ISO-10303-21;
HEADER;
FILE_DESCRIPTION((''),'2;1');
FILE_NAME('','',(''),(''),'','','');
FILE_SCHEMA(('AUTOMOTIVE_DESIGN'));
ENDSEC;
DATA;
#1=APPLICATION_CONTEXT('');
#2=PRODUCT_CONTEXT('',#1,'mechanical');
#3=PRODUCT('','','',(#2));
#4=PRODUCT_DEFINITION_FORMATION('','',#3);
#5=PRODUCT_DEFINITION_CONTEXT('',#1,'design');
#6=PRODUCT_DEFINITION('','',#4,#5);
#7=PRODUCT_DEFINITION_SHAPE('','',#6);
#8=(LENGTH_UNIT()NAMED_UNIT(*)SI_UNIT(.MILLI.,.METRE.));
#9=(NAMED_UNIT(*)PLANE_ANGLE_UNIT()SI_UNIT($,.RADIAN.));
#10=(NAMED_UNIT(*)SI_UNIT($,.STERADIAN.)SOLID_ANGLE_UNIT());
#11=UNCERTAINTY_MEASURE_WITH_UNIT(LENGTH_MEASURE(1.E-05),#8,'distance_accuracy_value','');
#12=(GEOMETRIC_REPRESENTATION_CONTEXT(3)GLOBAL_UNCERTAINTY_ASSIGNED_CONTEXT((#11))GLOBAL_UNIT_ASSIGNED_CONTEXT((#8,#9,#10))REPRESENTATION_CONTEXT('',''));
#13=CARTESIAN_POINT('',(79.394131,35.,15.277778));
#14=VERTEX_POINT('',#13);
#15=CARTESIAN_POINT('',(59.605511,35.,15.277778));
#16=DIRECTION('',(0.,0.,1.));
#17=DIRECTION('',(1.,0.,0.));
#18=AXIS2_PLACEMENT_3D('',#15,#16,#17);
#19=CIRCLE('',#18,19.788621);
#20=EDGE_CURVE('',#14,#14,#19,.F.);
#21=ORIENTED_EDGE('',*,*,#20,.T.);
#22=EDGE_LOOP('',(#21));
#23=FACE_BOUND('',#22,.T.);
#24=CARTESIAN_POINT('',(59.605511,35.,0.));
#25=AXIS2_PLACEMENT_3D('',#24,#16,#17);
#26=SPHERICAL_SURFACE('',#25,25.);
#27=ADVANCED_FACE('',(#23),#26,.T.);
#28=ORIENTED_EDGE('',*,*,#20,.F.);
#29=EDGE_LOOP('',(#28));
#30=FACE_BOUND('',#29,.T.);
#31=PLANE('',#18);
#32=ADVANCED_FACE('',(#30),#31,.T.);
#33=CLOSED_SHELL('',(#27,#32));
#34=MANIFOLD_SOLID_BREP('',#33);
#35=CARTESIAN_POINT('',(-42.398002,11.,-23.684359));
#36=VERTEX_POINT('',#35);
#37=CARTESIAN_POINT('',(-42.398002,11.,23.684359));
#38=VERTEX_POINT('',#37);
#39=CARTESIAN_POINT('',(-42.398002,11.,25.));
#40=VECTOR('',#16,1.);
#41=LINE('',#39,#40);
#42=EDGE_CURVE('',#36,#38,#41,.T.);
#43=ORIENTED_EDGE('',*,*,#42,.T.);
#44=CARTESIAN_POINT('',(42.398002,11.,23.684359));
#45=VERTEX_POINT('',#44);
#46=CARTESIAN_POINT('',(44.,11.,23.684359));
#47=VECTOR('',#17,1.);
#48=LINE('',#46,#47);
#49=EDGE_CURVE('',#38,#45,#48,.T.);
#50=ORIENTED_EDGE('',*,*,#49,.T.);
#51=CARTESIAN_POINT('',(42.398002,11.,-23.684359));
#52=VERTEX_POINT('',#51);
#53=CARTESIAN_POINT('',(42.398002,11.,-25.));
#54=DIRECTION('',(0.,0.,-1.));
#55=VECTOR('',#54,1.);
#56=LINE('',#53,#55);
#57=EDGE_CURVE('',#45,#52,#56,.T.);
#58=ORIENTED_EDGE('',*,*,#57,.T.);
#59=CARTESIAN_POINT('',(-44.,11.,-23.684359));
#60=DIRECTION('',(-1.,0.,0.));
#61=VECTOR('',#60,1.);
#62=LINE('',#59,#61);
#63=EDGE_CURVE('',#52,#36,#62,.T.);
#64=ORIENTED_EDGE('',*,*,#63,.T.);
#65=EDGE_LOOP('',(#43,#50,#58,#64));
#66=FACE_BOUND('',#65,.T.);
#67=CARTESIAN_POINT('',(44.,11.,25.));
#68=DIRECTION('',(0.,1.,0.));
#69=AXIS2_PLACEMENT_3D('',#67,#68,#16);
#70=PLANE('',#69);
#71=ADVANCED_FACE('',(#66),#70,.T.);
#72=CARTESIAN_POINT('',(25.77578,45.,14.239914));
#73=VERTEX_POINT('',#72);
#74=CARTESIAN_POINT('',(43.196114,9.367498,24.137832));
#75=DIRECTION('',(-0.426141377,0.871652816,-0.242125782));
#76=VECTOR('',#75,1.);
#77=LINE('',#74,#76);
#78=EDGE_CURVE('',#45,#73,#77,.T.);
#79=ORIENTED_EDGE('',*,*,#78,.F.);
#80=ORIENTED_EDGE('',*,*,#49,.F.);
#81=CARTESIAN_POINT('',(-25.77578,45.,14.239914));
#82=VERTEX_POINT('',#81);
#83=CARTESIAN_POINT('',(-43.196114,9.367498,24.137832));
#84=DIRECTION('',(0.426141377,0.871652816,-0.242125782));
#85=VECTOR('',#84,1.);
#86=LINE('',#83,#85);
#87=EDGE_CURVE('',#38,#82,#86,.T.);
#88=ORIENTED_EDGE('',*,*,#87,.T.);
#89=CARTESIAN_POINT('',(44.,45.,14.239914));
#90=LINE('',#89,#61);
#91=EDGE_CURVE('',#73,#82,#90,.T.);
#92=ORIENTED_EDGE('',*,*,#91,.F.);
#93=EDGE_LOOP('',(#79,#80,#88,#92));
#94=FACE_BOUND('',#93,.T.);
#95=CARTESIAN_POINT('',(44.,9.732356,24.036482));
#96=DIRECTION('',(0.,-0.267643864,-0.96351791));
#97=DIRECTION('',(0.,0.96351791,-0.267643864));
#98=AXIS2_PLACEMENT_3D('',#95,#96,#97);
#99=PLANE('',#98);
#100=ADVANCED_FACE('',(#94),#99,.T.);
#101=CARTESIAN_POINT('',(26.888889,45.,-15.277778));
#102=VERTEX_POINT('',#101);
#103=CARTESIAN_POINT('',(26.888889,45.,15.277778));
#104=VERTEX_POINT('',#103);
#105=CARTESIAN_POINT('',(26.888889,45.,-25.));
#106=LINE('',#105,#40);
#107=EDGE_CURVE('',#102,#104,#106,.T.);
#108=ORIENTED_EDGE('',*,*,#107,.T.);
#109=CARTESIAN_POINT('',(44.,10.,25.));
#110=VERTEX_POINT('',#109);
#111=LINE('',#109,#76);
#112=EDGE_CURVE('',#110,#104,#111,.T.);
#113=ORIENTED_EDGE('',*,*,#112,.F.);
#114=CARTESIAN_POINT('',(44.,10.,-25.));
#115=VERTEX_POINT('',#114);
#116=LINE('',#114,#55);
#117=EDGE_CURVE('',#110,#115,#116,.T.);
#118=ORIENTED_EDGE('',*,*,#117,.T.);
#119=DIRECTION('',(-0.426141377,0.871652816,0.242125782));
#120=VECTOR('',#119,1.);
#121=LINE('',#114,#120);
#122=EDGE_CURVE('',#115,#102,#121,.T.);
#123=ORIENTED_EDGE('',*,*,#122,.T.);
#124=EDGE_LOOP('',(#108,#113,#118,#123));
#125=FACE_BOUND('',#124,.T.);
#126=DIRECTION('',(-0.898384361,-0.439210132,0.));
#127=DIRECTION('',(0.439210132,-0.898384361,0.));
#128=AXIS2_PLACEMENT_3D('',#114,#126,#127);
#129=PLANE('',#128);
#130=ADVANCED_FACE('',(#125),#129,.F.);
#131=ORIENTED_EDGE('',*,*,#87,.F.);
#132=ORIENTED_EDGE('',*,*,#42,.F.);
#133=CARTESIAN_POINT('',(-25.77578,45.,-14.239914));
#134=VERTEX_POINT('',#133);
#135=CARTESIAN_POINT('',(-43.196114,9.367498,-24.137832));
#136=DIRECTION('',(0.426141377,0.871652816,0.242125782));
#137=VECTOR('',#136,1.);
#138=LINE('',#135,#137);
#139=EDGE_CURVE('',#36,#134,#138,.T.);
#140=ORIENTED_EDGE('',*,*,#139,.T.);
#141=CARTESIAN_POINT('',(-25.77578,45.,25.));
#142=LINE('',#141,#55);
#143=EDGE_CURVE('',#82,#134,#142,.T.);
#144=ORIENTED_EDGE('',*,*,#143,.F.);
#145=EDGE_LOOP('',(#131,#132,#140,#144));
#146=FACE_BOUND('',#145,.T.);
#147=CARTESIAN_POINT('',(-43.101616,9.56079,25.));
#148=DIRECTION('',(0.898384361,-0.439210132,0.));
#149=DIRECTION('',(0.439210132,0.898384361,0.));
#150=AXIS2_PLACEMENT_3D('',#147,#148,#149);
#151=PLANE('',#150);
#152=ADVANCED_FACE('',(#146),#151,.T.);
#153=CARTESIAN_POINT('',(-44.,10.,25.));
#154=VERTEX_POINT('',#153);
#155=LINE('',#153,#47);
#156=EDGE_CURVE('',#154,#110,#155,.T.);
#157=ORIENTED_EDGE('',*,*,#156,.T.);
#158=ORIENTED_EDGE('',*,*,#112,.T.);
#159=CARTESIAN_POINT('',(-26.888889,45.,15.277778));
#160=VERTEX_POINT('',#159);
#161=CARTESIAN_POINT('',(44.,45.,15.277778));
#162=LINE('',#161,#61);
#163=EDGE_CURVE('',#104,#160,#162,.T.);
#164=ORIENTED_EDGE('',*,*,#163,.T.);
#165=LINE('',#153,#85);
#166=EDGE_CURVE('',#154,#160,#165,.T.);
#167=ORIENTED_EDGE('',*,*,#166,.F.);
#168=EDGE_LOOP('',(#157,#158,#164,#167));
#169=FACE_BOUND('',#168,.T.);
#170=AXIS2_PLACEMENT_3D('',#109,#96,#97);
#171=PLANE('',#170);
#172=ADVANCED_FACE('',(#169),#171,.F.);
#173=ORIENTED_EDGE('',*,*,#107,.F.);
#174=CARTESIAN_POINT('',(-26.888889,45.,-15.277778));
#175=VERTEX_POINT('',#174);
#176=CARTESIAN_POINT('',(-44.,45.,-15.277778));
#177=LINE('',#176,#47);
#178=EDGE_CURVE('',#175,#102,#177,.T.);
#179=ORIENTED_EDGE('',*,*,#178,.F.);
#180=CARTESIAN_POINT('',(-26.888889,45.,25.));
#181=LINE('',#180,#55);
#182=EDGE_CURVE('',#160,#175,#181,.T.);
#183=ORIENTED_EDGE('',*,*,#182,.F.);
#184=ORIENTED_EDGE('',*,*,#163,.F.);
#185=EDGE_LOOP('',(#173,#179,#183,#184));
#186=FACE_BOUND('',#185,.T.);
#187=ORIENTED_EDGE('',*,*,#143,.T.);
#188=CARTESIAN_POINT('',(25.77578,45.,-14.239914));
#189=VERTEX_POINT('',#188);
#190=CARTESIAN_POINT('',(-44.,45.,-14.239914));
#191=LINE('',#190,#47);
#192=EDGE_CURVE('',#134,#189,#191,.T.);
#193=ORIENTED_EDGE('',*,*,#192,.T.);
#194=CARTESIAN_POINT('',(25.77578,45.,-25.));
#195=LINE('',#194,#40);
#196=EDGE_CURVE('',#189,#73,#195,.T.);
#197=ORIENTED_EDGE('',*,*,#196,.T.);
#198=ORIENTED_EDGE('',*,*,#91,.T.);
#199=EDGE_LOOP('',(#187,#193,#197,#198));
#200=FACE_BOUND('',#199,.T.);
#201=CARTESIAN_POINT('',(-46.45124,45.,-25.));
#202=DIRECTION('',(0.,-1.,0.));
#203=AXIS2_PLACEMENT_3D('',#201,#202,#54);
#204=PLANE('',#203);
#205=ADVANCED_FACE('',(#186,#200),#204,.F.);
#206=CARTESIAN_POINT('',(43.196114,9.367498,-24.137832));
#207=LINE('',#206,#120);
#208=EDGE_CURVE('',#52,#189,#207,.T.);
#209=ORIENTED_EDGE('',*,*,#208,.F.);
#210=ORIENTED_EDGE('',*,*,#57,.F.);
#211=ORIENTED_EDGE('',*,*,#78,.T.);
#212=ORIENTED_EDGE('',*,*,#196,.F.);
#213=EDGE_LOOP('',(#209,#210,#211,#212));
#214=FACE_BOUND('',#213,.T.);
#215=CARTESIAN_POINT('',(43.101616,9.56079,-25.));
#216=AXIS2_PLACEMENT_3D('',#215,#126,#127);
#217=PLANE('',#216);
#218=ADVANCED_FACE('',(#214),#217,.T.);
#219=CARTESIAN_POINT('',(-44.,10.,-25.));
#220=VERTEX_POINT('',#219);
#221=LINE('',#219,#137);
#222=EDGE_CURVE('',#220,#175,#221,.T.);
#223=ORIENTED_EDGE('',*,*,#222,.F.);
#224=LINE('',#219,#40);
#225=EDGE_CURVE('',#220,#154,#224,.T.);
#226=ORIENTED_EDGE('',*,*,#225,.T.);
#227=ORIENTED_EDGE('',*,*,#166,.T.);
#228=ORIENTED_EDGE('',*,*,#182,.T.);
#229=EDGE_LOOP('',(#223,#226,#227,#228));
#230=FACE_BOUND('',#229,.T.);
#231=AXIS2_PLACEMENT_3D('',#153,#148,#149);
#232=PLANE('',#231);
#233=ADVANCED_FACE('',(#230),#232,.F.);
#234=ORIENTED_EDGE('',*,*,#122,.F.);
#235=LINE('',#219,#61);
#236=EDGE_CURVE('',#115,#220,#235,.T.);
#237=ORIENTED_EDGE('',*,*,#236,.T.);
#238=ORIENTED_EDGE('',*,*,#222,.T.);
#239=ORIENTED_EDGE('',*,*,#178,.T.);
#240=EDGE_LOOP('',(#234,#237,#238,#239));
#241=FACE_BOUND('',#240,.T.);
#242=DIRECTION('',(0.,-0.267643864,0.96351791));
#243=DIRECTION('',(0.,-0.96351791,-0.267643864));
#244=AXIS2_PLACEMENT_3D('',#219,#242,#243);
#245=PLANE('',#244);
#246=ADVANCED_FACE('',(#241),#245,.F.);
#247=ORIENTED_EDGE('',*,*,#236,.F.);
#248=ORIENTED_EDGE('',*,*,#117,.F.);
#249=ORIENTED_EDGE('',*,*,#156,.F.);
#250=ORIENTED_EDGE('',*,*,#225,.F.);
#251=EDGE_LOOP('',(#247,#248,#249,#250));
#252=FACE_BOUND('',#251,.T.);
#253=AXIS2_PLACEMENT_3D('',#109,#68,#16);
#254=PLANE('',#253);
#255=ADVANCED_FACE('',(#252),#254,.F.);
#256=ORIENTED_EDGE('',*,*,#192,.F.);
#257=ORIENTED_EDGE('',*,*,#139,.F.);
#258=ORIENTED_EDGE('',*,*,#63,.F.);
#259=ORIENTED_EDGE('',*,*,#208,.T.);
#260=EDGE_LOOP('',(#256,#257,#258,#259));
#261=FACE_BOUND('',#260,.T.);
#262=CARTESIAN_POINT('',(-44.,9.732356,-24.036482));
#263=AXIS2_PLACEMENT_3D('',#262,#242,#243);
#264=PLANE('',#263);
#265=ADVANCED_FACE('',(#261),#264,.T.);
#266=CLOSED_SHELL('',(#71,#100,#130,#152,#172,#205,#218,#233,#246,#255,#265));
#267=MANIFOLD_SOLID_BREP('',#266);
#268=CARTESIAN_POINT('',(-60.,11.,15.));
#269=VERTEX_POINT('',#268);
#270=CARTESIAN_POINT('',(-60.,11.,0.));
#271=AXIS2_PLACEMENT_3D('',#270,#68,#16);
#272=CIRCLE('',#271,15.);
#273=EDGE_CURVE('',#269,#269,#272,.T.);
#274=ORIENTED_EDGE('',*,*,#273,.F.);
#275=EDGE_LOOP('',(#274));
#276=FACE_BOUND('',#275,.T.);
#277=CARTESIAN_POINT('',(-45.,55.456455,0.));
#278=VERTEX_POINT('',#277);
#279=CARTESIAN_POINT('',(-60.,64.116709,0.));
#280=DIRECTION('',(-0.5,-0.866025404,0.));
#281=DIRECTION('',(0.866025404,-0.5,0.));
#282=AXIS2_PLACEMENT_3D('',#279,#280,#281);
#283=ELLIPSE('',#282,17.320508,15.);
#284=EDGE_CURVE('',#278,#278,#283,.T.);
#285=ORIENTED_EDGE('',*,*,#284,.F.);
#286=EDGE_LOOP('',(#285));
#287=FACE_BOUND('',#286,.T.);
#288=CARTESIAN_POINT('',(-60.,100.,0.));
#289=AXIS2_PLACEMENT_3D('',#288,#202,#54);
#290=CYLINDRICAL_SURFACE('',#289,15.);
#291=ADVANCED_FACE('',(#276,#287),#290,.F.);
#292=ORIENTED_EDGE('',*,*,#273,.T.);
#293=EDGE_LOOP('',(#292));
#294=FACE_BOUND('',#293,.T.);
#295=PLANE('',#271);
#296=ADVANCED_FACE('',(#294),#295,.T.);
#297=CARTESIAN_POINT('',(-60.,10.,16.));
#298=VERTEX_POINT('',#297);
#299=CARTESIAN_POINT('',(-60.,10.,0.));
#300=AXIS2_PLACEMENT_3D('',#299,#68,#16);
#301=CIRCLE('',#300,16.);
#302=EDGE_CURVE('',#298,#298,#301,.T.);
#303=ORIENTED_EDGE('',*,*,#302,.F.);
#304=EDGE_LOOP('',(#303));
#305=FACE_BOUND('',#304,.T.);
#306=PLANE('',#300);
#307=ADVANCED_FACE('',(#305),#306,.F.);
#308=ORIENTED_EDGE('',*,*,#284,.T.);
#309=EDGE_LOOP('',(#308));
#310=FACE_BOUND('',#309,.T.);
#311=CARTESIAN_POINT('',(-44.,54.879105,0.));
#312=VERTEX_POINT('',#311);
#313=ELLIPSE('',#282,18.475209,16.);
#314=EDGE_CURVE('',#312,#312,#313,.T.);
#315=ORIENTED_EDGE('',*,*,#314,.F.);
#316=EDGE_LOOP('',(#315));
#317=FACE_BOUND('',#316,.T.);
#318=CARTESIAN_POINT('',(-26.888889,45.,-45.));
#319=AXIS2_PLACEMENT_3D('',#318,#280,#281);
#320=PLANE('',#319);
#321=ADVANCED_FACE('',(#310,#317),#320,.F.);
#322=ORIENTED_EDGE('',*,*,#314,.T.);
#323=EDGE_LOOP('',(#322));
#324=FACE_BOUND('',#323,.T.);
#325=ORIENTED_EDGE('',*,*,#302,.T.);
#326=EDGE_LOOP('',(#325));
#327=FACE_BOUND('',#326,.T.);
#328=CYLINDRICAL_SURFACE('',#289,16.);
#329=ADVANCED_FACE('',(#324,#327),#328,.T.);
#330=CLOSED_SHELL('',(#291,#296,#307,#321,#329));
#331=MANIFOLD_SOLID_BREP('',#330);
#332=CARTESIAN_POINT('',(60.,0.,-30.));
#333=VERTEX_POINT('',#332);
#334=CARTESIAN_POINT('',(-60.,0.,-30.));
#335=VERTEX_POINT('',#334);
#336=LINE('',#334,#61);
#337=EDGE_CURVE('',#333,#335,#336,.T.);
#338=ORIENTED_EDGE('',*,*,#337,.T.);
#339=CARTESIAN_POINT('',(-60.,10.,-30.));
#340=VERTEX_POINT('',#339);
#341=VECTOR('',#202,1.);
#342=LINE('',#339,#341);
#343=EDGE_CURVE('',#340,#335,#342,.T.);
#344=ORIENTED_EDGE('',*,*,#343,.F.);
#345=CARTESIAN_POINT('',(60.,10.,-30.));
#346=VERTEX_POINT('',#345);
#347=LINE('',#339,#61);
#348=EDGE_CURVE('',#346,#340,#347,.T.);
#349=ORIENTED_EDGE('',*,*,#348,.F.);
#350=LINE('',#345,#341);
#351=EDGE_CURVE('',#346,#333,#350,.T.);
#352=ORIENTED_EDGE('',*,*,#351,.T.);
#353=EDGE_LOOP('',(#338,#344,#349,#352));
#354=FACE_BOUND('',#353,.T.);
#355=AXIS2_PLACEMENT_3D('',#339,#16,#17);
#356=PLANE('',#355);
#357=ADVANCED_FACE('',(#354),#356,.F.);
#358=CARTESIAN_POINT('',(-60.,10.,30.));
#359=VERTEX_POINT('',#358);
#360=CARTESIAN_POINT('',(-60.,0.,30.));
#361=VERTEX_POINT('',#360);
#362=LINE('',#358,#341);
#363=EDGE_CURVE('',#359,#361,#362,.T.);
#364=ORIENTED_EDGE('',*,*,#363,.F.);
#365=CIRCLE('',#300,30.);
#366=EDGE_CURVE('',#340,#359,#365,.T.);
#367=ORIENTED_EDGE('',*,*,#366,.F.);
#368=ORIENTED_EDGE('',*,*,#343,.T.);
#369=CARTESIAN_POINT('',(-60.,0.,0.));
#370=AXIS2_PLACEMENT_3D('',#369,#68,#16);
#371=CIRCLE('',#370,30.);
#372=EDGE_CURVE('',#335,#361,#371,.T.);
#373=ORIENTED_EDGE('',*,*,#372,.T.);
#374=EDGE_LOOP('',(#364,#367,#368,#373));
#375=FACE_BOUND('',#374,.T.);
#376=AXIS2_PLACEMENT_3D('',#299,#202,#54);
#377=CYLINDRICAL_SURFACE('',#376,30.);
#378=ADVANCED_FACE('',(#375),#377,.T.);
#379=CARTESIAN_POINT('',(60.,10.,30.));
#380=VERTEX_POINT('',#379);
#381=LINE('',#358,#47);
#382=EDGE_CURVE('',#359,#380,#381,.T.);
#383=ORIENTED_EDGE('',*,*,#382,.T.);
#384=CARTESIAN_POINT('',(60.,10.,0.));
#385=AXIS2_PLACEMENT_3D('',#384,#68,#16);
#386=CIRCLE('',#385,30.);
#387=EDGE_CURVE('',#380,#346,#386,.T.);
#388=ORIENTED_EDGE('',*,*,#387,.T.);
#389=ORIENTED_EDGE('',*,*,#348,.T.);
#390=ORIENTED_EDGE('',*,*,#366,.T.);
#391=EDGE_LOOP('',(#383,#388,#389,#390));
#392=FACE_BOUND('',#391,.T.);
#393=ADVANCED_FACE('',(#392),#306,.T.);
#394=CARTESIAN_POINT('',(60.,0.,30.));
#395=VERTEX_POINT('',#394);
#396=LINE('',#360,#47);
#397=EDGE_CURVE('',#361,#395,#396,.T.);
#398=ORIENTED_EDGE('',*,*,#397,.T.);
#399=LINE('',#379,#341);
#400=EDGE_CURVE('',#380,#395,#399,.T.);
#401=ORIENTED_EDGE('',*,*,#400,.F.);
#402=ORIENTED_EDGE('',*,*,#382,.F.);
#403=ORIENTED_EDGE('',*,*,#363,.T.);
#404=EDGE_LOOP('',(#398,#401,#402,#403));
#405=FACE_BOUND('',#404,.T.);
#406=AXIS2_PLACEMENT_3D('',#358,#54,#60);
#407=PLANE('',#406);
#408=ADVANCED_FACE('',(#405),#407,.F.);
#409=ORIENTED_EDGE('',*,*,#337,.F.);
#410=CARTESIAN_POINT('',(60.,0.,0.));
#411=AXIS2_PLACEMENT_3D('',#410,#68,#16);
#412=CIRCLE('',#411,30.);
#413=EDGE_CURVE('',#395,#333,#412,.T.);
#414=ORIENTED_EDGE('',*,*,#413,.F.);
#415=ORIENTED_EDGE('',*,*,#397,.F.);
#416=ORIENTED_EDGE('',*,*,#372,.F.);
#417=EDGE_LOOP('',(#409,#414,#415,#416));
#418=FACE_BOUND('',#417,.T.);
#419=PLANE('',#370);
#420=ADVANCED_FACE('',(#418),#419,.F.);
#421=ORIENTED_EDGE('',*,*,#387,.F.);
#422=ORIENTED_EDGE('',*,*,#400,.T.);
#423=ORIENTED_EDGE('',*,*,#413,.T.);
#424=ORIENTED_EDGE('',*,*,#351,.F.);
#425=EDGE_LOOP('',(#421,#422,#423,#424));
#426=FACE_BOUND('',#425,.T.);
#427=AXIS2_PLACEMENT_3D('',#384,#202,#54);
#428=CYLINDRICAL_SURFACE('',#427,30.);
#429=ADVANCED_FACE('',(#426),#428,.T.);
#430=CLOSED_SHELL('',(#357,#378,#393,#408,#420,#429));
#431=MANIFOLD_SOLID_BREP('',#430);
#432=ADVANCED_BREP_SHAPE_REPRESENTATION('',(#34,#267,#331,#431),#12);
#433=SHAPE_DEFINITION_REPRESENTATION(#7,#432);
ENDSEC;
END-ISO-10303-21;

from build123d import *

# Parameters (mm, degrees)
EXTRUDE1_DEPTH = 10
SKETCH2_W      = 88
SKETCH2_H      = 50
SKETCH4_W      = 84.491556584
SKETCH4_H      = 62.317301915
EXTRUDE2_DEPTH = 25
SHELL1_T       = -1
SKETCH5_R      = 16
EXTRUDE3_DEPTH = 90
EXTRUDE4_DEPTH = 45
SHELL2_T       = -1
SKETCH10_R     = 25
EXTRUDE5_DEPTH = 90


with BuildPart() as part:
    # Sketch1 → Extrude1 (new body)
    with BuildSketch(Plane(origin=(0, 0, 0), x_dir=(1, 0, 0), z_dir=(0, 1, 0))):
        with BuildLine():
            Line((-60, 30), (60, 30))
            ThreePointArc((60, 30), (90, 0), (60, -30))
            Line((60, -30), (-60, -30))
            ThreePointArc((-60, -30), (-90, 0), (-60, 30))
        make_face()
    extrude(amount=EXTRUDE1_DEPTH)


with BuildPart() as body_2:
    # Sketch2 → Loft1 section 0
    with BuildSketch(Plane(origin=(0, 10, 0), x_dir=(1, 0, 0), z_dir=(0, 1, 0)), mode=Mode.PRIVATE) as loft1_s0:
        Rectangle(SKETCH2_W, SKETCH2_H)
    loft([loft1_s0.sketch, Vertex(0, 100, 0)])

    # Sketch4 → Extrude2 (cut, symmetric)
    with BuildSketch(Plane.XY):
        with Locations((-4.205462092, 76.158650958)):
            Rectangle(SKETCH4_W, SKETCH4_H)
    extrude(amount=EXTRUDE2_DEPTH, both=True, mode=Mode.SUBTRACT)

    # Shell1
    shell1_openings = [body_2.faces().sort_by_distance(p)[0] for p in [
        (0, 45, 0),
    ]]
    offset(amount=SHELL1_T, openings=shell1_openings, kind=Kind.INTERSECTION)


with BuildPart() as body_3:
    # Sketch5 → Extrude3 (new body)
    with BuildSketch(Plane(origin=(0, 10, 0), x_dir=(1, 0, 0), z_dir=(0, 1, 0))):
        with Locations(Location((-60, 0, 0), (0, 0, 90))):
            Circle(SKETCH5_R)
    extrude(amount=EXTRUDE3_DEPTH)

    # Sketch7 → Extrude4 (cut, symmetric)
    with BuildSketch(Plane.XY):
        Polygon((-26.888888889, 45), (-97.326267404, 85.667039446), (-97.326267404, 110.899812001), (-26.888888889, 110.899812001), align=None)
    extrude(amount=EXTRUDE4_DEPTH, both=True, mode=Mode.SUBTRACT)

    # Shell2
    shell2_openings = [body_3.faces().sort_by_distance(p)[0] for p in [
        (-60, 64.116708913, 0),
    ]]
    offset(amount=SHELL2_T, openings=shell2_openings, kind=Kind.INTERSECTION)


with BuildPart() as body_4:
    # Sketch8 → Revolve1 (revolve)
    with BuildSketch(Plane.XY):
        with BuildLine():
            Line((59.605510636, 60), (59.605510636, 10))
            ThreePointArc((59.605510636, 10), (34.605510636, 35), (59.605510636, 60))
        make_face()
    revolve(axis=Axis((59.605510636, 60, 0), (0, -1, 0)))

    # Sketch10 → Extrude5 (cut)
    with BuildSketch(Plane.XY.offset(15.277777778)):
        with Locations((59.605510636, 35)):
            Circle(SKETCH10_R)
    extrude(amount=EXTRUDE5_DEPTH, mode=Mode.SUBTRACT)


solid = Compound([part.part, body_2.part, body_3.part, body_4.part])
